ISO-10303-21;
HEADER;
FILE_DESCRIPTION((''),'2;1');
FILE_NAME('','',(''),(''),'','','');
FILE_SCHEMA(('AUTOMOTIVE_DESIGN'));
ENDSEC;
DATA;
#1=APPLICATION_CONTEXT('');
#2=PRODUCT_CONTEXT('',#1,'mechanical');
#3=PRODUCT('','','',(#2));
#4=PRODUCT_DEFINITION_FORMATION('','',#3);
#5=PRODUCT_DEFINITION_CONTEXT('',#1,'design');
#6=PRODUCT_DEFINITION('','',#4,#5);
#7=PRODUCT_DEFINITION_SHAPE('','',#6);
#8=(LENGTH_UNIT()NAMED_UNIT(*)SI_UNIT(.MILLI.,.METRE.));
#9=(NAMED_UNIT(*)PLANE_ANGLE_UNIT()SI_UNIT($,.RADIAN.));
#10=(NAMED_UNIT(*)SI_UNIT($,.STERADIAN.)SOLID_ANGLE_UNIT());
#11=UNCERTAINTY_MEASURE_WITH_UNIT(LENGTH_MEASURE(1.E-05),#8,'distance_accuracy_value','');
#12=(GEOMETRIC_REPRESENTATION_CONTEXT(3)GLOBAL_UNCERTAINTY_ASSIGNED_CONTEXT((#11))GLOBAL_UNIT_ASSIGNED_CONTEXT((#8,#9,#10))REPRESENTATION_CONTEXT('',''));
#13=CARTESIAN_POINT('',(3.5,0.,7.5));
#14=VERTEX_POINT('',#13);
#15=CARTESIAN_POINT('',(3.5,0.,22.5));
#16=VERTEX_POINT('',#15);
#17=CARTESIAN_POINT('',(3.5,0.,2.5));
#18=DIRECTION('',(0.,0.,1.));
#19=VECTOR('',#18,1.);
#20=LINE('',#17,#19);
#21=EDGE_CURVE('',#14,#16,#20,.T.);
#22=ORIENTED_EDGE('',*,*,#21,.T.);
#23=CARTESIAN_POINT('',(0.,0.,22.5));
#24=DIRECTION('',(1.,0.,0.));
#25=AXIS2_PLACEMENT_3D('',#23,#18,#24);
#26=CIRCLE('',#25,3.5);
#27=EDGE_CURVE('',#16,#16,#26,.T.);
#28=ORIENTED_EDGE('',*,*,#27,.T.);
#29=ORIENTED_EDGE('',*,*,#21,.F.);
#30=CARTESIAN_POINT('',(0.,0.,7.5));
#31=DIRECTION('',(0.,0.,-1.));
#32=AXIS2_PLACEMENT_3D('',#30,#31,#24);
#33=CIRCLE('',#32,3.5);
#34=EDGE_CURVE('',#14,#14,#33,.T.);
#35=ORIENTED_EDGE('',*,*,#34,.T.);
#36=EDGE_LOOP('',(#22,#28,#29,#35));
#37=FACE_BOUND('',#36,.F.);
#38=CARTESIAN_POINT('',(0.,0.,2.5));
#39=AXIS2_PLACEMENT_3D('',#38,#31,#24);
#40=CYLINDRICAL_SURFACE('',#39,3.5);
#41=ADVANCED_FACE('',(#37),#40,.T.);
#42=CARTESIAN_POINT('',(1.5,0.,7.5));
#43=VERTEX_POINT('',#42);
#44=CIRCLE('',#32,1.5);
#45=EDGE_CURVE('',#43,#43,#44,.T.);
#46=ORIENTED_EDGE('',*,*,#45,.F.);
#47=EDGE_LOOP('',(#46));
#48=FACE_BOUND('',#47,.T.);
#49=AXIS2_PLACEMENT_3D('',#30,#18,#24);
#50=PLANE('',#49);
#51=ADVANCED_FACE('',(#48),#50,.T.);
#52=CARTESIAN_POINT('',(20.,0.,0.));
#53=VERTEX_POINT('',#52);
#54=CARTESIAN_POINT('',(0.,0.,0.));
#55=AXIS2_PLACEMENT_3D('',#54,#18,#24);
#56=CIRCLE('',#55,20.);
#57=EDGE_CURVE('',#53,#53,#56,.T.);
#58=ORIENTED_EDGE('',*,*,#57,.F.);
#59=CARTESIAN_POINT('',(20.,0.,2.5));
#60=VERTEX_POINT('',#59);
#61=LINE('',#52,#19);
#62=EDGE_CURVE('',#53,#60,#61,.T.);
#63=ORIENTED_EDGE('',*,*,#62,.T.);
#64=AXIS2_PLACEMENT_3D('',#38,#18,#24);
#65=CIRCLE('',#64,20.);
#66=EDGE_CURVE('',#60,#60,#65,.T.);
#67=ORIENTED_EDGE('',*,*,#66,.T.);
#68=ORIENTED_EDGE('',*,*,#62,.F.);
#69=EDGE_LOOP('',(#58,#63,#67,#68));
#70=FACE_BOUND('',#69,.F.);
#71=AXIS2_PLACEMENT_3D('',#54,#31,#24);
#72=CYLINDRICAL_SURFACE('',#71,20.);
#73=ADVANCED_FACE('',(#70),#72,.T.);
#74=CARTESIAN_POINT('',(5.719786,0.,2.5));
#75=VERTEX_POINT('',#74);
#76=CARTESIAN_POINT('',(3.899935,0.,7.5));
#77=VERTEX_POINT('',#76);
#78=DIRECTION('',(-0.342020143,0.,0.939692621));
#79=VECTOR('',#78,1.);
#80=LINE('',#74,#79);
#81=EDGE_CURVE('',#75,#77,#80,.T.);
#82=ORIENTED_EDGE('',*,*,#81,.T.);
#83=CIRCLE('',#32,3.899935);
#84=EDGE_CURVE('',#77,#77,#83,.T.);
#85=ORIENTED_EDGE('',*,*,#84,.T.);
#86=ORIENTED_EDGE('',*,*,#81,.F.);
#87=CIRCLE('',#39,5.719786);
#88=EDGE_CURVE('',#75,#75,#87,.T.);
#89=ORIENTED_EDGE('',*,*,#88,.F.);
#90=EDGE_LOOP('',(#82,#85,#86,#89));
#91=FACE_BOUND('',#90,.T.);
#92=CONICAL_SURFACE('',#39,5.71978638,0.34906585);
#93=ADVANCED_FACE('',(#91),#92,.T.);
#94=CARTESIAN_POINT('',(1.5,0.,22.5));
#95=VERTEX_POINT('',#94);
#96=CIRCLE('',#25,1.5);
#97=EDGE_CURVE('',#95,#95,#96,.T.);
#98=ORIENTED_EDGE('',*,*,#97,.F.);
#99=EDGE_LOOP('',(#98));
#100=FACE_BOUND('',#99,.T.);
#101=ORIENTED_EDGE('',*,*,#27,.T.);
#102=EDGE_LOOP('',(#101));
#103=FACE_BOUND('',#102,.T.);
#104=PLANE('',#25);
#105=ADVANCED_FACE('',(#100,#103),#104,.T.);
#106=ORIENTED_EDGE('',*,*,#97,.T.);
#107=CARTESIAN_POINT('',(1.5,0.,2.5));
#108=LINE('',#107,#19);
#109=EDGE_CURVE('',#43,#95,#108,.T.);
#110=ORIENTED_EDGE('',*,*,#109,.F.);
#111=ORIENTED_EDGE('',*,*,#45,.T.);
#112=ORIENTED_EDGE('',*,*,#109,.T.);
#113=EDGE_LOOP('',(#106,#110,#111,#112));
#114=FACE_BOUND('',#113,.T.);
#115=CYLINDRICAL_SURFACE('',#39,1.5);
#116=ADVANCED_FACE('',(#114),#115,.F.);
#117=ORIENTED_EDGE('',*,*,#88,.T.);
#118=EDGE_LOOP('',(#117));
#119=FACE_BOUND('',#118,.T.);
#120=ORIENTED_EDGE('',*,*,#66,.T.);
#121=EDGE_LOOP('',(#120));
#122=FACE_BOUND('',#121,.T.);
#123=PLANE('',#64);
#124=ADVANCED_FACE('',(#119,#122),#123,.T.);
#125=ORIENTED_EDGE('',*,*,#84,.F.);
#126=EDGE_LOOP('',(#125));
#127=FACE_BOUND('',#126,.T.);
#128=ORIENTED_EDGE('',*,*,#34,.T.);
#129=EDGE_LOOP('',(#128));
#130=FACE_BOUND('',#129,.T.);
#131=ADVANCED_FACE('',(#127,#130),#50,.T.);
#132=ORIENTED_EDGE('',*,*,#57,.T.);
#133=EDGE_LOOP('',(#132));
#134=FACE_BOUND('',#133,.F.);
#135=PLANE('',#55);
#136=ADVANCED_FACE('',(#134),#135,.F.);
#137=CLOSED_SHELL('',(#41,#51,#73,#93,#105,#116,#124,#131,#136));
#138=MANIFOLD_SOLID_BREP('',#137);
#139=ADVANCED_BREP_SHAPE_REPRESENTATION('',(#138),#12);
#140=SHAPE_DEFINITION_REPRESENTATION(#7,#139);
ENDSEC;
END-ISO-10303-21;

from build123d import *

# Parameters (mm, degrees)
F0_R     = 20
F1_DEPTH = 2.5
F2_R     = 3.5
F2_R_2   = 1.5
F3_DEPTH = 20
F4_R     = 5.7197863804
F4_R_2   = 3.5
F5_DEPTH = 5
F5_TAPER = 20


with BuildPart() as f1:
    # F0 (on Top) → F1 (new body)
    with BuildSketch(Plane.XY):
        Circle(F0_R)
    extrude(amount=F1_DEPTH)

    # F2 (on face) → F3 (join)
    with BuildSketch(Plane.XY.offset(2.5)):
        Circle(F2_R)
        Circle(F2_R_2, mode=Mode.SUBTRACT)
    extrude(amount=F3_DEPTH)

    # F4 (on face) → F5 (join)
    with BuildSketch(Plane.XY.offset(2.5)):
        Circle(F4_R)
        Circle(F4_R_2, mode=Mode.SUBTRACT)
        Circle(F4_R_2)
    extrude(amount=F5_DEPTH, taper=F5_TAPER)


solid = f1.part
